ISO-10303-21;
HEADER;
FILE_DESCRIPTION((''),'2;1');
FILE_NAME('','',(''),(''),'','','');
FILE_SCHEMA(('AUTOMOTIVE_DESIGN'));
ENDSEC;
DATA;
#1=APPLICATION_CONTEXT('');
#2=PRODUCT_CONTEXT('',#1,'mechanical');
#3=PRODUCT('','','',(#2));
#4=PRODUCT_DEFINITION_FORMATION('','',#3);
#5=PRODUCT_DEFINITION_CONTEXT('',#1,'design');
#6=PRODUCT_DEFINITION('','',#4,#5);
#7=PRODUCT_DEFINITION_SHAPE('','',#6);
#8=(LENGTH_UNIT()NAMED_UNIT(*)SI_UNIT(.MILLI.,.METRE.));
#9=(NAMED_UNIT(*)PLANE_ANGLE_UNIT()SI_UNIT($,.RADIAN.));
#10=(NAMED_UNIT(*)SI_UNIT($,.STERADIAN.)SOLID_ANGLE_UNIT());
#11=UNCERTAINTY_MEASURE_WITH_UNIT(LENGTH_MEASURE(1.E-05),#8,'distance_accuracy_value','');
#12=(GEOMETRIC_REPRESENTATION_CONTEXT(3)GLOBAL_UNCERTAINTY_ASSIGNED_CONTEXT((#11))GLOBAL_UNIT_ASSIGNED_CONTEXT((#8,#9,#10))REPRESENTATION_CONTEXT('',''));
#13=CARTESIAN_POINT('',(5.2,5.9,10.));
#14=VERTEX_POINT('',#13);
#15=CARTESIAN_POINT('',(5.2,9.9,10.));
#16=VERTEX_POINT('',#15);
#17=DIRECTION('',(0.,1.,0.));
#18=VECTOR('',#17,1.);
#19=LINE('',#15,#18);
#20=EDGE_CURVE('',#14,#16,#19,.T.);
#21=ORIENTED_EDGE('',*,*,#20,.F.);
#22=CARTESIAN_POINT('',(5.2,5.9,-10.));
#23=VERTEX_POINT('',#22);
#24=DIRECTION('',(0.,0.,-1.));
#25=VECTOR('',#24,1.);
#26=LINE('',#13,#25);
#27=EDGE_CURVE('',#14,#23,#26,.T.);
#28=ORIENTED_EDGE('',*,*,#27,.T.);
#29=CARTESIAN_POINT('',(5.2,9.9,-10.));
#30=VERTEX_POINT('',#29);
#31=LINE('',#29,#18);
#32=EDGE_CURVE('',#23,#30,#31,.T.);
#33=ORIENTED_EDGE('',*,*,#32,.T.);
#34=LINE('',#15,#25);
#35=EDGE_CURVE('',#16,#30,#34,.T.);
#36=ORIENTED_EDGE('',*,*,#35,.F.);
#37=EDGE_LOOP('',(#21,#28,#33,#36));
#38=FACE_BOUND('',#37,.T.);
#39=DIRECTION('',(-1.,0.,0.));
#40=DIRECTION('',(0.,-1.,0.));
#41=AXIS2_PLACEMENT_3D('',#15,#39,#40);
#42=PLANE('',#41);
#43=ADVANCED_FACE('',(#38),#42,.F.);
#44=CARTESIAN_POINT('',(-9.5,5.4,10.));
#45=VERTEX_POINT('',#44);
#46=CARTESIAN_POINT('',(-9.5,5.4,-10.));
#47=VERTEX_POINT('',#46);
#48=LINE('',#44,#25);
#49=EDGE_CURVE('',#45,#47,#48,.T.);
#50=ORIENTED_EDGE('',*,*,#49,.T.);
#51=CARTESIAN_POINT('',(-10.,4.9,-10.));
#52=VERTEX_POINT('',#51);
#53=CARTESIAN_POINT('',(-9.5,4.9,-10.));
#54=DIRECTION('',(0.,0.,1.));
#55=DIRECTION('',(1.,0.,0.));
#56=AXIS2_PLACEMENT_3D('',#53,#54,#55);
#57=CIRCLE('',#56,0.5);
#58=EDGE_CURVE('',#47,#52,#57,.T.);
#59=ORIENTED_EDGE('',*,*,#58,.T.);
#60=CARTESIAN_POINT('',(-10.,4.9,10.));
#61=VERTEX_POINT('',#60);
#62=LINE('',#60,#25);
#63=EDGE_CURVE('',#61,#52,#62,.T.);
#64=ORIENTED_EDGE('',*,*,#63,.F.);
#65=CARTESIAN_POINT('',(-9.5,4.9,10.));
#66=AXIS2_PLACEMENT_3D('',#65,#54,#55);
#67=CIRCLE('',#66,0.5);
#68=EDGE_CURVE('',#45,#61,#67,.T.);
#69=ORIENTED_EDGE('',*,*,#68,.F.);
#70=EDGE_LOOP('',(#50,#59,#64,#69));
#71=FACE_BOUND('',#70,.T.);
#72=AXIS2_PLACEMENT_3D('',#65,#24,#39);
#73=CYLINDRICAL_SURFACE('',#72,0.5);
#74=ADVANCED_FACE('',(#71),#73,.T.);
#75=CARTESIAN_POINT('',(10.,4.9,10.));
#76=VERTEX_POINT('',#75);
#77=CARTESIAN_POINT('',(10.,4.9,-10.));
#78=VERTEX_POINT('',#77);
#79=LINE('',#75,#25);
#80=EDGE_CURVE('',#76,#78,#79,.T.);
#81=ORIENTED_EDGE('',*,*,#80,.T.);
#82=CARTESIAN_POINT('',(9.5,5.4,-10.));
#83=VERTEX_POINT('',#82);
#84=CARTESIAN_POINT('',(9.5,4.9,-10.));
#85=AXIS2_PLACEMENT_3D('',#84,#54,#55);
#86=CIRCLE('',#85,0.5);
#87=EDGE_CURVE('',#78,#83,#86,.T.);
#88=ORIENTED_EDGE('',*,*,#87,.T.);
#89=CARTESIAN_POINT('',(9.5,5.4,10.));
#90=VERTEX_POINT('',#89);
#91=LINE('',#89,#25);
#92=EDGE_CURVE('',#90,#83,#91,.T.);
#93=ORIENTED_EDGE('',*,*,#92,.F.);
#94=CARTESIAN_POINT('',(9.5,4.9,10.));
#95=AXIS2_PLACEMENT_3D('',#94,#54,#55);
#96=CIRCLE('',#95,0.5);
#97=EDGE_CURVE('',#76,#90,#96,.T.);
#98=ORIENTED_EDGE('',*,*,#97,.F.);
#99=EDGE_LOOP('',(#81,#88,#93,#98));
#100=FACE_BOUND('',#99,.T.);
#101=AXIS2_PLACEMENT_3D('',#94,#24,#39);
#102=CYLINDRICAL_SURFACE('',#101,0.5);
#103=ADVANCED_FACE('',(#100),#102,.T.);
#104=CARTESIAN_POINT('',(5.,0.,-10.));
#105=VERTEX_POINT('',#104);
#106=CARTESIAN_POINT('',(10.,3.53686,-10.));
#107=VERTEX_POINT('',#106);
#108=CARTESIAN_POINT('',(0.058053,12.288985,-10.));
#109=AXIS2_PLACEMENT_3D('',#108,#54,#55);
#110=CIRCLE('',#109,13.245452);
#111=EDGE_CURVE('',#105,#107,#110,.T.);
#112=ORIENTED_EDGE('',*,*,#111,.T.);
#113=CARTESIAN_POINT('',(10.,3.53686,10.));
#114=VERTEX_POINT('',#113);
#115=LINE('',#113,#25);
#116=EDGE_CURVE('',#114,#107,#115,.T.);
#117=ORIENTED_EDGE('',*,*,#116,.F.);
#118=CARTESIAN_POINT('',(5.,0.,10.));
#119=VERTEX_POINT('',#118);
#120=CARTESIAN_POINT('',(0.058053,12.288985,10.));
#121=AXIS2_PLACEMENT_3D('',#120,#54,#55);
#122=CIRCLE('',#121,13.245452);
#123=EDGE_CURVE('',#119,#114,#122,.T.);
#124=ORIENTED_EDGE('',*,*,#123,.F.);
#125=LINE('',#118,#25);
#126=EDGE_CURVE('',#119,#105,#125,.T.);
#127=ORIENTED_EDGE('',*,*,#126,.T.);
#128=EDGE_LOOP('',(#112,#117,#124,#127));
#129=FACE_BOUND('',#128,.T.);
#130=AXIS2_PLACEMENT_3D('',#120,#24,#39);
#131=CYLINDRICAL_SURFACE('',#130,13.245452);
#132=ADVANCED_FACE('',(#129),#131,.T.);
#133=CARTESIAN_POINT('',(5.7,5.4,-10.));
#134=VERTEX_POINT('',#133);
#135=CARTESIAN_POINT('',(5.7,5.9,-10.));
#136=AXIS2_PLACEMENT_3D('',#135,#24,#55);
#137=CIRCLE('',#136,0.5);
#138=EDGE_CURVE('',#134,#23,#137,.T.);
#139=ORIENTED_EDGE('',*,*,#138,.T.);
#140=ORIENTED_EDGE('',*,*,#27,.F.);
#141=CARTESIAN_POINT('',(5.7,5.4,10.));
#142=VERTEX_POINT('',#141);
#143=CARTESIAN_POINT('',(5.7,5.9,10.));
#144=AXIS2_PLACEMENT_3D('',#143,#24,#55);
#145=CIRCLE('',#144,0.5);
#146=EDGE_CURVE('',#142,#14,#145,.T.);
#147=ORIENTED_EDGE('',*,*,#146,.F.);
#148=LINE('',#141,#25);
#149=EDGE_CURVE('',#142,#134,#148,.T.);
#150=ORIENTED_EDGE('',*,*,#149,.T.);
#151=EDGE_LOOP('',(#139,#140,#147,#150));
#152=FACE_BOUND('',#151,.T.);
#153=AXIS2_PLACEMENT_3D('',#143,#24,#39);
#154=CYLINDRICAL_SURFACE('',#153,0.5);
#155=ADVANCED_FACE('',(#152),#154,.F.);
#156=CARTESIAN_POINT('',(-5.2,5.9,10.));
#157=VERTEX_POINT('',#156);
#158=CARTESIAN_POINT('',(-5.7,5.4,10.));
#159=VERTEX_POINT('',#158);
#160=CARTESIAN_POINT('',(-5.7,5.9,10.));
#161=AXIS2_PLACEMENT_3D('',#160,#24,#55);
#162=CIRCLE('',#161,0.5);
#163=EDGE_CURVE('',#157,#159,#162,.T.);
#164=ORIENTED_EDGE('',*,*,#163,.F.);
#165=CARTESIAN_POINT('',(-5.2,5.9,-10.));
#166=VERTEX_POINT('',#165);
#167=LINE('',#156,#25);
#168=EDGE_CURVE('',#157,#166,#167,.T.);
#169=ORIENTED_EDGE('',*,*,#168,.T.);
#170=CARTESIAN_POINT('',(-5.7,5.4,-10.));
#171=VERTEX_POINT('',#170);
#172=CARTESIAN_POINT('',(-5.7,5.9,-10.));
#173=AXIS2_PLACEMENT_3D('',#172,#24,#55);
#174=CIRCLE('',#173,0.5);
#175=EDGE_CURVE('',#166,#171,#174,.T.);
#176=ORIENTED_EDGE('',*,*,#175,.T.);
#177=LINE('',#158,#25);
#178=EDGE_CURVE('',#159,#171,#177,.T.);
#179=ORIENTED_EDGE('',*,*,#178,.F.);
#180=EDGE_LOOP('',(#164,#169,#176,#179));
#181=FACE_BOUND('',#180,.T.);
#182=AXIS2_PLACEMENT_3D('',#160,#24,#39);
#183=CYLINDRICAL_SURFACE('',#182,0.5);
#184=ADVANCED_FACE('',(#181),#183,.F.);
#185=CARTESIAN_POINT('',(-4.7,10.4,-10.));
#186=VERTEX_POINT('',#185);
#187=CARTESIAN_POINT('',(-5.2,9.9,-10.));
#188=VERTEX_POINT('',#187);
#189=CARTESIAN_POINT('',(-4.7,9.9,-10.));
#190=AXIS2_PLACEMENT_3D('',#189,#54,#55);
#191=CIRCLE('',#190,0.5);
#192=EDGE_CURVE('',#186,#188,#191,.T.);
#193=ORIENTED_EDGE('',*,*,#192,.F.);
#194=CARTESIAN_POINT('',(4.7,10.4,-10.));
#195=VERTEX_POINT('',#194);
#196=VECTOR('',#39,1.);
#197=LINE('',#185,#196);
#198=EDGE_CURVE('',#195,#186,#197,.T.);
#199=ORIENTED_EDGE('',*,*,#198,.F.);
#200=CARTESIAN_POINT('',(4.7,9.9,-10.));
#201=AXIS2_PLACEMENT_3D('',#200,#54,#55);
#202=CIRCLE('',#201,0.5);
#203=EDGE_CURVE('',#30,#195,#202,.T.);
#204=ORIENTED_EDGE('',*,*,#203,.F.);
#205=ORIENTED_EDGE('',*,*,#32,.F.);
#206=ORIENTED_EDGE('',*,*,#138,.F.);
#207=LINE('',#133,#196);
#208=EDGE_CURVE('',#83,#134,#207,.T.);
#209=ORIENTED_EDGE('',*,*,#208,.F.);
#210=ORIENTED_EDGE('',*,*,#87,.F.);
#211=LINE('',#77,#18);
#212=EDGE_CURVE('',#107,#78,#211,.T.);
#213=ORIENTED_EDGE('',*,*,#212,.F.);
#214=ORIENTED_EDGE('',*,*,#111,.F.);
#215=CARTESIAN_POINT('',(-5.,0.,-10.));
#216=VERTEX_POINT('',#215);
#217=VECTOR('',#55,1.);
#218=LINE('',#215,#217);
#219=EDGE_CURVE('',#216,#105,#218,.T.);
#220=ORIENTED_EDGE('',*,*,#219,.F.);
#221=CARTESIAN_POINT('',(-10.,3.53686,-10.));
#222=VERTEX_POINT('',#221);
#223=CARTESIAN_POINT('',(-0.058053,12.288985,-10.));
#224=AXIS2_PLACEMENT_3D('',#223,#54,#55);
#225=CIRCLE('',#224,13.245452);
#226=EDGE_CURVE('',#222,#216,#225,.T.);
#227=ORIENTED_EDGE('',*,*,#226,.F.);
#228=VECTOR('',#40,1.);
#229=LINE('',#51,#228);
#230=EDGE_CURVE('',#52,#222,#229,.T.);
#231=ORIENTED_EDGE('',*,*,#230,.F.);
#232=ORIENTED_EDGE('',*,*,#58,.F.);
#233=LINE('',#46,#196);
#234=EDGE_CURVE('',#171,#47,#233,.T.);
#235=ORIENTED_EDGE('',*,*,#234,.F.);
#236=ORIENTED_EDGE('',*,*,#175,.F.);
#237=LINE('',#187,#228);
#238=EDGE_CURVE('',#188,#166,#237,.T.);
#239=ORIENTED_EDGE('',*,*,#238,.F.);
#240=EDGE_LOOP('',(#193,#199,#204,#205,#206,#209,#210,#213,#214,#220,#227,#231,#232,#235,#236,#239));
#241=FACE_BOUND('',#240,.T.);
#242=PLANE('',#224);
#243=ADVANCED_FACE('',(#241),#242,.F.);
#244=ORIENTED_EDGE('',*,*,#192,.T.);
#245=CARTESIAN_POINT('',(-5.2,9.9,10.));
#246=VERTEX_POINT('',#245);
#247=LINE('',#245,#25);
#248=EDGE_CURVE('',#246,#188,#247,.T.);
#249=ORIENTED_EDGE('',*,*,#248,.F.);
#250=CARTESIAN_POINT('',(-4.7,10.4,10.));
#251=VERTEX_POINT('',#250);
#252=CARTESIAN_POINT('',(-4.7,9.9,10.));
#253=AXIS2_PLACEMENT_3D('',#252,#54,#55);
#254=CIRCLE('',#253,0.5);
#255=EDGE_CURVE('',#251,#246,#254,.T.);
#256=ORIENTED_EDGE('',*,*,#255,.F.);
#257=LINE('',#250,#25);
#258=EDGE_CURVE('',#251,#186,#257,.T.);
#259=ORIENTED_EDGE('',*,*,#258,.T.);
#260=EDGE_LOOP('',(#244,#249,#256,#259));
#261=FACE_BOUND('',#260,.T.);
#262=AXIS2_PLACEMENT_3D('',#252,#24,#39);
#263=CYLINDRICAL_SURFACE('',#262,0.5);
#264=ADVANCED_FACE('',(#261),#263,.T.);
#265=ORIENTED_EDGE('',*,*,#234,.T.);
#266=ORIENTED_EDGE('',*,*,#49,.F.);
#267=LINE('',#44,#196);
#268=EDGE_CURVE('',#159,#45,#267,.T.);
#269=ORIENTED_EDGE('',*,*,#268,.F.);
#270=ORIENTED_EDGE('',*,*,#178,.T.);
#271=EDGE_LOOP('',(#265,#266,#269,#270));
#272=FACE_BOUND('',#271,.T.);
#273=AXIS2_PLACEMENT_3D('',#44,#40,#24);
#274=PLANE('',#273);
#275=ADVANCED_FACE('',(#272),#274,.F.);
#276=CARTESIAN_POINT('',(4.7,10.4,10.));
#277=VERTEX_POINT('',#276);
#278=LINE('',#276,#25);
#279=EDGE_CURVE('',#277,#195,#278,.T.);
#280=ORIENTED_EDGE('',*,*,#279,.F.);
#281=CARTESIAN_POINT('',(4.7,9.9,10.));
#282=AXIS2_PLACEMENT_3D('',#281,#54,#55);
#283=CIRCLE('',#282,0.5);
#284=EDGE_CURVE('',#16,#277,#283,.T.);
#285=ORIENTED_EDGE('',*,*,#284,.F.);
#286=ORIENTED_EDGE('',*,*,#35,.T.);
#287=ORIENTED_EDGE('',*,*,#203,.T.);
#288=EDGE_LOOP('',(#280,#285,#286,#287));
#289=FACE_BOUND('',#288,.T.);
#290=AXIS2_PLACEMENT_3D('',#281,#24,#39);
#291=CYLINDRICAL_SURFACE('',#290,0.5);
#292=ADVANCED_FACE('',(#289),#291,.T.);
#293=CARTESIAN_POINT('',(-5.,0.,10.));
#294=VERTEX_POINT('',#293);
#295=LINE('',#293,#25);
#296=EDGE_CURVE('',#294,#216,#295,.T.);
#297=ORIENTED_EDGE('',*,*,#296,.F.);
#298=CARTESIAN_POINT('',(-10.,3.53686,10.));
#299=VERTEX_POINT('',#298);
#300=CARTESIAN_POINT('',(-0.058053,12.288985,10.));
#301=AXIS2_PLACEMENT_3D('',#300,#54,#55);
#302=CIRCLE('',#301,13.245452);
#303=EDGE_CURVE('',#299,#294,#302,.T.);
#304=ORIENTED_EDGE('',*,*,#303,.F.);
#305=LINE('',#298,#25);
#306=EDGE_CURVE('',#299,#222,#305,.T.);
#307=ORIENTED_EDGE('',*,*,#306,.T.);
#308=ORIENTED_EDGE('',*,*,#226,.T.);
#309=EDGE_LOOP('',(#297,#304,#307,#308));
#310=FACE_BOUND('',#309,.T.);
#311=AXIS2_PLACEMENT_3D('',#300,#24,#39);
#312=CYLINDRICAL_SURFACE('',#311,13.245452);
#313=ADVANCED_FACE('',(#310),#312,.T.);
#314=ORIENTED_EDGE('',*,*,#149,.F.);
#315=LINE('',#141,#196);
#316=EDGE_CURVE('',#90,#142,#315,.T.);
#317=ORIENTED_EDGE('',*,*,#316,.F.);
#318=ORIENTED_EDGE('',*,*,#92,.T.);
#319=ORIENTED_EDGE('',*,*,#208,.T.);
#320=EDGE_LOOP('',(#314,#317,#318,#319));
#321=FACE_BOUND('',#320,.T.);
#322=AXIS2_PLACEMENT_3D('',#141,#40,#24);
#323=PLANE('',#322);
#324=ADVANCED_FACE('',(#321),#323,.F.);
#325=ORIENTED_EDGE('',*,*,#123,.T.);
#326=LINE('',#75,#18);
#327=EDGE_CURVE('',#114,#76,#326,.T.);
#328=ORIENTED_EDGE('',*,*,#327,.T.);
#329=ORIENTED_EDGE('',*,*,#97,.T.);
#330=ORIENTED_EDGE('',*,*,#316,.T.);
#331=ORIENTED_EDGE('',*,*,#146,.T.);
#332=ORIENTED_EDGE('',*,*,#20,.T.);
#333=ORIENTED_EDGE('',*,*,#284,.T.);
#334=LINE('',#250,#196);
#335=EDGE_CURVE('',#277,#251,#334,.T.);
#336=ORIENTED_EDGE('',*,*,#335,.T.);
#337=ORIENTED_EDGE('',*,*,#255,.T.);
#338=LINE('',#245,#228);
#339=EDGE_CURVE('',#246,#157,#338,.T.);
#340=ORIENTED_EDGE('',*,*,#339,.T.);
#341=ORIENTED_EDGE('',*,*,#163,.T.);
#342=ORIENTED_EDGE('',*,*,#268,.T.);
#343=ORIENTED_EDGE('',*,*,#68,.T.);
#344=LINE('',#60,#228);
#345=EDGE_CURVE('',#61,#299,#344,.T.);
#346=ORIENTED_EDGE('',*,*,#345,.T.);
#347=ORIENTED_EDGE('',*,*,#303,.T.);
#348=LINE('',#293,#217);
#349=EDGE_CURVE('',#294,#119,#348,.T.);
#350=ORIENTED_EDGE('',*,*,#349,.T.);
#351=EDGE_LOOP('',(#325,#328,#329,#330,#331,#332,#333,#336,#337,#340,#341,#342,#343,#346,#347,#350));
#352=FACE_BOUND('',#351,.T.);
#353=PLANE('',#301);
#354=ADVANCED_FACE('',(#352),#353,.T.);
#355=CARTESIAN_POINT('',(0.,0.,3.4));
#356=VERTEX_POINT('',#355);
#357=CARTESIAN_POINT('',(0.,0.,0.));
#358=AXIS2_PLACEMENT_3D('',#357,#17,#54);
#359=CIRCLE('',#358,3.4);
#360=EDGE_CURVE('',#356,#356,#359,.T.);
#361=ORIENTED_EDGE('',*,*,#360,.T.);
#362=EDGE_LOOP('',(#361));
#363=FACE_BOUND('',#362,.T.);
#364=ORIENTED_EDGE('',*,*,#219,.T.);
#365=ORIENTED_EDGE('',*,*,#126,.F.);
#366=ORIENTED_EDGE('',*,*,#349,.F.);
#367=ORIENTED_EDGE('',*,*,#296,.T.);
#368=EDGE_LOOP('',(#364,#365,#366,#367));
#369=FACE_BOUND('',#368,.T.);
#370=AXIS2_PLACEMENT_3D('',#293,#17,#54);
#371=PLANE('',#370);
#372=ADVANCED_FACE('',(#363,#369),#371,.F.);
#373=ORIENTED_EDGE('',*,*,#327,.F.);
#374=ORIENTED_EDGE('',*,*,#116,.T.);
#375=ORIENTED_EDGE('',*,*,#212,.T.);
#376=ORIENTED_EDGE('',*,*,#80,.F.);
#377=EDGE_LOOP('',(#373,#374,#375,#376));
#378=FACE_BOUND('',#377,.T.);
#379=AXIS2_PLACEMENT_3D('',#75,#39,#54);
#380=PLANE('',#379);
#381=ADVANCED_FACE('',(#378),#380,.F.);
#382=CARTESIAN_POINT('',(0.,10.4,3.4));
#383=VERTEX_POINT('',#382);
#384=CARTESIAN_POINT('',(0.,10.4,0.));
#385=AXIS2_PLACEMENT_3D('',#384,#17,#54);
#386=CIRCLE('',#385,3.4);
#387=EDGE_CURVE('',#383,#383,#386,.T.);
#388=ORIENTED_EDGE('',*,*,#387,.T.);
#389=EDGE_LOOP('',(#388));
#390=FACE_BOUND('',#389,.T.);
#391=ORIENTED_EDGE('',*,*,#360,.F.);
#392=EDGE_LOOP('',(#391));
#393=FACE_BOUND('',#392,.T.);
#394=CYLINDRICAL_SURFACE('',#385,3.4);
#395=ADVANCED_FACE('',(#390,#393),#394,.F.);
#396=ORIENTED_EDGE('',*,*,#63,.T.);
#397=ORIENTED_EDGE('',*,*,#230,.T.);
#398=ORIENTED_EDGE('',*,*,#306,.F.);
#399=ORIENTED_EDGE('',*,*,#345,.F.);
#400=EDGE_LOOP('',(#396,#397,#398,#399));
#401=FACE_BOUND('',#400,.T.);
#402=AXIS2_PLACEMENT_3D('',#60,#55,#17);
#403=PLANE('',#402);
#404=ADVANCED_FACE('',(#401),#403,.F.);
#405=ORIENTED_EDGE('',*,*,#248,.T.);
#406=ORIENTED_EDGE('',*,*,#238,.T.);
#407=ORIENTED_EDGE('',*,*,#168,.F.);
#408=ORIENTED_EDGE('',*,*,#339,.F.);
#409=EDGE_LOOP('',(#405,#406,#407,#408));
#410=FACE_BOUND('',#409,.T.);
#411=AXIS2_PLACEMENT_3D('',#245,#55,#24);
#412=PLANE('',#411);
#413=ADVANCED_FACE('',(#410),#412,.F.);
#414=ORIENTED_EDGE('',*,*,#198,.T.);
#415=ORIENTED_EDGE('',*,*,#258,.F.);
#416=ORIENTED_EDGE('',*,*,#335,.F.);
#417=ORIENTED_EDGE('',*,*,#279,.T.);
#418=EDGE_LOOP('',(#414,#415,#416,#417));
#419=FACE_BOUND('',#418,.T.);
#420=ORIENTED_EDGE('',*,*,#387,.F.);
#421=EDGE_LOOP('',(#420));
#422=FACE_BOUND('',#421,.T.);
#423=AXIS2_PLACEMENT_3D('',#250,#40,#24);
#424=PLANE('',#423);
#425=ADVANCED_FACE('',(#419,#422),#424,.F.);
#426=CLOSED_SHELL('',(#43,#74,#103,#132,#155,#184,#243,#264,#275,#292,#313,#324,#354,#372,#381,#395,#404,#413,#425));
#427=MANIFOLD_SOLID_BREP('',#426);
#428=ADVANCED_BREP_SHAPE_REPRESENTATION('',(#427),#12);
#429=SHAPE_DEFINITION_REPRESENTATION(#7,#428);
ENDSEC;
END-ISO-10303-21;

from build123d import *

# Parameters (mm, degrees)
EXTRUDE_1_DEPTH        = 10
HOLE_WIZARD_M8_1_D     = 6.8
HOLE_WIZARD_M8_1_DEPTH = 19.75
HOLE_WIZARD_M8_1_TIP   = 2.042926105


with BuildPart() as part:
    # 草图1 → 凸台-拉伸1 (new, symmetric)
    with BuildSketch(Plane.XY):
        with BuildLine():
            Line((-5, 0), (5, 0))
            ThreePointArc((5, 0), (7.707230765, 1.475471539), (10, 3.53686037))
            Line((10, 3.53686037), (10, 4.9))
            ThreePointArc((10, 4.9), (9.853553391, 5.253553391), (9.5, 5.4))
            Line((9.5, 5.4), (5.7, 5.4))
            ThreePointArc((5.7, 5.4), (5.346446609, 5.546446609), (5.2, 5.9))
            Line((5.2, 5.9), (5.2, 9.9))
            ThreePointArc((5.2, 9.9), (5.053553391, 10.253553391), (4.7, 10.4))
            Line((4.7, 10.4), (-4.7, 10.4))
            ThreePointArc((-4.7, 10.4), (-5.053553391, 10.253553391), (-5.2, 9.9))
            Line((-5.2, 9.9), (-5.2, 5.9))
            ThreePointArc((-5.2, 5.9), (-5.346446609, 5.546446609), (-5.7, 5.4))
            Line((-5.7, 5.4), (-9.5, 5.4))
            ThreePointArc((-9.5, 5.4), (-9.853553391, 5.253553391), (-10, 4.9))
            Line((-10, 4.9), (-10, 3.53686037))
            ThreePointArc((-10, 3.53686037), (-7.707230765, 1.475471539), (-5, 0))
        make_face()
    extrude(amount=EXTRUDE_1_DEPTH, both=True)

    # M8 螺纹孔1
    with Locations(Plane.ZX.offset(10.4)):
        with Locations((0, 0)):
            Hole(HOLE_WIZARD_M8_1_D / 2, depth=HOLE_WIZARD_M8_1_DEPTH)
            with Locations((0, 0, -(HOLE_WIZARD_M8_1_DEPTH + HOLE_WIZARD_M8_1_TIP / 2))):  # 118° drill point
                Cone(0, HOLE_WIZARD_M8_1_D / 2, HOLE_WIZARD_M8_1_TIP, mode=Mode.SUBTRACT)


solid = part.part
